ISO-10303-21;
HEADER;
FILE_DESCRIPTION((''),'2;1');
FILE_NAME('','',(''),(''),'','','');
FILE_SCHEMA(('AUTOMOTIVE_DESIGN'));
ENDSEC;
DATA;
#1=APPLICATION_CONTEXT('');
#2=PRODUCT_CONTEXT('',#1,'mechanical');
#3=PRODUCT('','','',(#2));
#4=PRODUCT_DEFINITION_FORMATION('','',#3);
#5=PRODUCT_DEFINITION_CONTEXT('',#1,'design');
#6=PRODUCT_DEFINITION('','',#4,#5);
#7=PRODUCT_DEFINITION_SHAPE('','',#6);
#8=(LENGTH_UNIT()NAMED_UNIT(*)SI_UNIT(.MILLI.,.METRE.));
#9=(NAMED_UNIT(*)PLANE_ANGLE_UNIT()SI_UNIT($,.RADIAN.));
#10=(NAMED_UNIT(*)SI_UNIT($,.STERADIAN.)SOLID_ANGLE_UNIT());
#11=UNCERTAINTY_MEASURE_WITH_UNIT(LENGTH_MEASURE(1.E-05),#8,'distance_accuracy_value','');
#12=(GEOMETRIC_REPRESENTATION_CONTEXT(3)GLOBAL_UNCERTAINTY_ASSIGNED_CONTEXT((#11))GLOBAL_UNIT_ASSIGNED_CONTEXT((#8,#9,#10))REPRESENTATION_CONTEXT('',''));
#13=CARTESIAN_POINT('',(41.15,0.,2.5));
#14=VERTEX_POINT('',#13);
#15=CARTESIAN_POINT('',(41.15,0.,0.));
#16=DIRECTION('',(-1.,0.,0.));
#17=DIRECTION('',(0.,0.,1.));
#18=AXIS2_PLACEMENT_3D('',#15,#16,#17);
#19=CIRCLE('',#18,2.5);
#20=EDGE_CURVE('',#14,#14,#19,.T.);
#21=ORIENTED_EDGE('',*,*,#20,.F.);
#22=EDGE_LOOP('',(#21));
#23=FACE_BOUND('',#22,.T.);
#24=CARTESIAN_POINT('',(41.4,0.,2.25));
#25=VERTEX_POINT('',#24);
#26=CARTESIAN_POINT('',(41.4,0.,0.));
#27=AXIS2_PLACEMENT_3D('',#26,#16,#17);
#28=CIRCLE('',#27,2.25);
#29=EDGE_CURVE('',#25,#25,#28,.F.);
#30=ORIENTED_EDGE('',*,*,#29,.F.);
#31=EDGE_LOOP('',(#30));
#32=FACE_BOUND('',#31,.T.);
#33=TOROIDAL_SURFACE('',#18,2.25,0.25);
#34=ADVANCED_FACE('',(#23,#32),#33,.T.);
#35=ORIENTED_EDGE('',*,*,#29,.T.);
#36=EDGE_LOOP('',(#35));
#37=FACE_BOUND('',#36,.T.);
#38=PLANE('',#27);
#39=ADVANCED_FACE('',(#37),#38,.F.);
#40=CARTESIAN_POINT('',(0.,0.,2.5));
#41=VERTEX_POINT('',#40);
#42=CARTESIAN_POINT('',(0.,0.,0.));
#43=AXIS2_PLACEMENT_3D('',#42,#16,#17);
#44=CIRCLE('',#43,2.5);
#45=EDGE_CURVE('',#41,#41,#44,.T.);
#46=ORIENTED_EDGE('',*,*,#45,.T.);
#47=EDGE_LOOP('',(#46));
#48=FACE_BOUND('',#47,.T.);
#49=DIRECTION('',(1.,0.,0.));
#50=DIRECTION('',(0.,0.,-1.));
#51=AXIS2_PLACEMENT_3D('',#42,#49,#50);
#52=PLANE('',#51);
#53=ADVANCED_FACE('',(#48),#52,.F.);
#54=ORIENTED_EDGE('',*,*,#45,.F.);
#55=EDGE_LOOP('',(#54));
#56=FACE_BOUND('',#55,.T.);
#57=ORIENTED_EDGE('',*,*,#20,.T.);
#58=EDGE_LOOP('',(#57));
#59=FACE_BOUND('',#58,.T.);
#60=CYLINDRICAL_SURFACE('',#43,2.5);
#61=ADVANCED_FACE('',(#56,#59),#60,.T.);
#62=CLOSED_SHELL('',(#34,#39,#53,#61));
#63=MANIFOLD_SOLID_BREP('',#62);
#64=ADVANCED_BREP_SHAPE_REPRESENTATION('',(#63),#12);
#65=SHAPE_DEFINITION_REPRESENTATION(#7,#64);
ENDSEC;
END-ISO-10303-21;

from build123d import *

# Parameters (mm, degrees)
CROQUIS1_W  = 41.4
CROQUIS1_H  = 2.5
REDONDEO1_R = 0.25


with BuildPart() as part:
    # Croquis1 → Revolución1 (revolve)
    with BuildSketch(Plane.XY, mode=Mode.PRIVATE) as revoluci_n1_sk:
        with Locations((20.7, 1.25)):
            Rectangle(CROQUIS1_W, CROQUIS1_H)
    revolve(revoluci_n1_sk.sketch.rotate(Axis((0, 0, 0), (1, 0, 0)), 90), axis=Axis((0, 0, 0), (1, 0, 0)))

    # Redondeo1
    redondeo1_edges = [part.edges().sort_by_distance(p)[0] for p in [
        (41.4, 0, -2.5),
    ]]
    fillet(redondeo1_edges, radius=REDONDEO1_R)


solid = part.part
